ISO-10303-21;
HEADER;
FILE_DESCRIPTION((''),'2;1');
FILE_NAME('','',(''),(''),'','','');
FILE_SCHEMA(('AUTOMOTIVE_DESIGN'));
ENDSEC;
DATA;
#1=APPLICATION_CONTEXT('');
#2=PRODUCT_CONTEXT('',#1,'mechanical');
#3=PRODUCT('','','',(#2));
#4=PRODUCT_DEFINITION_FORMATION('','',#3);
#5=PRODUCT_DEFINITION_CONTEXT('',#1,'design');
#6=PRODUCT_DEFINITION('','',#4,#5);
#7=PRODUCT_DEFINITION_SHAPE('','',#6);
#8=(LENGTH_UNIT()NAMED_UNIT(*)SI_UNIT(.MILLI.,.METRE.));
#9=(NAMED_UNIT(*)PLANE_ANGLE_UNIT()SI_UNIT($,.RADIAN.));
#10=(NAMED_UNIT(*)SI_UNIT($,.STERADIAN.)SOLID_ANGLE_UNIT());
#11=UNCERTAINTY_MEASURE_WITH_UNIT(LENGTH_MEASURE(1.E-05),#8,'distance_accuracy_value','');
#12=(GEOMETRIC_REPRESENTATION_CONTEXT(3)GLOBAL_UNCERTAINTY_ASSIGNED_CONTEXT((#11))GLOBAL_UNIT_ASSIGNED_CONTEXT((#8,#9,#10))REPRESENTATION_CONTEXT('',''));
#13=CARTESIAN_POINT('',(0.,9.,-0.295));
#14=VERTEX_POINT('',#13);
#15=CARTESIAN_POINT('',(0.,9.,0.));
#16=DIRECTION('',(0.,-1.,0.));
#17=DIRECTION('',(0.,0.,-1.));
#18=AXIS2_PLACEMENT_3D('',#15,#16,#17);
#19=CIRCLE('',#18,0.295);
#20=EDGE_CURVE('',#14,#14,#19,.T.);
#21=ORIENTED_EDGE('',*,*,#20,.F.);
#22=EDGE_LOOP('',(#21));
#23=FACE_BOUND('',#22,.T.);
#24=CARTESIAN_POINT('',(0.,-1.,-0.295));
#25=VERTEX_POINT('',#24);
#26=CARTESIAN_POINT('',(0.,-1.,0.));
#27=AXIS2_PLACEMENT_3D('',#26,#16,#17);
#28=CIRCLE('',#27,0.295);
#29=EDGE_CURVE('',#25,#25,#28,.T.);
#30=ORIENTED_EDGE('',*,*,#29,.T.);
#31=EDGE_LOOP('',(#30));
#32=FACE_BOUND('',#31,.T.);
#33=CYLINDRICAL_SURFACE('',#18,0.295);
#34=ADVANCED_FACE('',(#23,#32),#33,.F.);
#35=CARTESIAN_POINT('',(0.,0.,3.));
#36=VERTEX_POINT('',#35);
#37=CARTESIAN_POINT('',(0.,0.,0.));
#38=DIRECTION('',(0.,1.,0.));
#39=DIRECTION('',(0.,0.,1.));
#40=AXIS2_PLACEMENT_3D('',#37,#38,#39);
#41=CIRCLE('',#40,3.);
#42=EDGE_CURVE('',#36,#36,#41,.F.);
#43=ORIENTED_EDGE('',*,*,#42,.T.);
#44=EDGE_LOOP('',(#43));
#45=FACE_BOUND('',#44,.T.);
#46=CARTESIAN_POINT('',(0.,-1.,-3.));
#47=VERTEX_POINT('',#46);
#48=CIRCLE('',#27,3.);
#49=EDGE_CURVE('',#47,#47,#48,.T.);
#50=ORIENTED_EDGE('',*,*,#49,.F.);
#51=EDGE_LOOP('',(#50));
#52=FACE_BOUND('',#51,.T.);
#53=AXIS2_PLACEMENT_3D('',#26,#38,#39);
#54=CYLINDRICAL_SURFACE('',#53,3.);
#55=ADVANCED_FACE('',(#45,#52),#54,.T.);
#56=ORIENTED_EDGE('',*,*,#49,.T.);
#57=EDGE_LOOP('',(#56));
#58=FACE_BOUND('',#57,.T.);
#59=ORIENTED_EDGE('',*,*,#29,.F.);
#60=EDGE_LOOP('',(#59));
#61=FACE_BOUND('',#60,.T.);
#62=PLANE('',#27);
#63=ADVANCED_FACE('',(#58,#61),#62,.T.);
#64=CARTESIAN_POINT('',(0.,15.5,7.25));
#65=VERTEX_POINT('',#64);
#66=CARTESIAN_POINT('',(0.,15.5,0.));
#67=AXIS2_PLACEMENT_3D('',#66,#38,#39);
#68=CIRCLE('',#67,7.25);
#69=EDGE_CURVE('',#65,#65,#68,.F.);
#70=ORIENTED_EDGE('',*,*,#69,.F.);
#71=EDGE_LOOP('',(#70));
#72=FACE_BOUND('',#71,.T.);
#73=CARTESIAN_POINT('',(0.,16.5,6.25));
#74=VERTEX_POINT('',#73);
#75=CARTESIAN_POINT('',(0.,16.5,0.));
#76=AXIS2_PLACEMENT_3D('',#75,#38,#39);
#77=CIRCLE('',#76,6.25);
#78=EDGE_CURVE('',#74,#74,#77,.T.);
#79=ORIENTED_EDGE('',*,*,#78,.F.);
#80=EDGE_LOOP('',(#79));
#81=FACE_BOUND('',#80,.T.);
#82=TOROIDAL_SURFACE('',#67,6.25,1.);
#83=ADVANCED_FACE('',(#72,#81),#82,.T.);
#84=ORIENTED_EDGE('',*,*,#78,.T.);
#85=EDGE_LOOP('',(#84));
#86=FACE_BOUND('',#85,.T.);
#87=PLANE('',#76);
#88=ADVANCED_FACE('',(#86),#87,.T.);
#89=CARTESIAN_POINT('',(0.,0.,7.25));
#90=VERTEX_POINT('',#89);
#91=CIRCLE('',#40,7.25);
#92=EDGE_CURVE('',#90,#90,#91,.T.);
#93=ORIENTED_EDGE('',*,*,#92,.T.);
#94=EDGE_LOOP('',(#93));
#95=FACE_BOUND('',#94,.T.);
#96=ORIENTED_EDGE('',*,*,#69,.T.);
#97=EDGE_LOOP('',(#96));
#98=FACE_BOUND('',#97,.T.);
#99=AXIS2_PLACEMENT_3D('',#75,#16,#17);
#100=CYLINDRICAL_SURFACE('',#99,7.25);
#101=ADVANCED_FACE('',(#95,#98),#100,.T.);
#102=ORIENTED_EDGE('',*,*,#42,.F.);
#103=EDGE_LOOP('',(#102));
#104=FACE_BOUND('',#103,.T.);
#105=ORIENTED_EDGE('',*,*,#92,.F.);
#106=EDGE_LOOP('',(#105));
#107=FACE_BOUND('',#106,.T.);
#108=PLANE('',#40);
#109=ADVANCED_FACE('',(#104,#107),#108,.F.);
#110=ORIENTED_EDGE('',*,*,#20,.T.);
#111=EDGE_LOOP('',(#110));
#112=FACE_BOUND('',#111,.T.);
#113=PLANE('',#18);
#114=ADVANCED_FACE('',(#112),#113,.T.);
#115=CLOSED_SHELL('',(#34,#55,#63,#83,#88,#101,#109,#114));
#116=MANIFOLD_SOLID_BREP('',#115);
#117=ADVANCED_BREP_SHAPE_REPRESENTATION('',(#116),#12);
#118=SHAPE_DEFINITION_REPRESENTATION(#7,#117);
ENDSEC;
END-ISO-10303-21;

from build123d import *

# Parameters (mm, degrees)
SKETCH1_R           = 7.25
BOSS_EXTRUDE1_DEPTH = 16.5
FILLET1_R           = 1
SKETCH4_R           = 3
BOSS_EXTRUDE2_DEPTH = 1
SKETCH5_R           = 0.295
CUT_EXTRUDE2_DEPTH  = 10


with BuildPart() as part:
    # Sketch1 → Boss-Extrude1 (new body)
    with BuildSketch(Plane(origin=(0, 0, 0), x_dir=(1, 0, 0), z_dir=(0, 1, 0))):
        with Locations(Location((0, 0, 0), (0, 0, 270))):
            Circle(SKETCH1_R)
    extrude(amount=BOSS_EXTRUDE1_DEPTH)

    # Fillet1
    fillet1_edges = [part.edges().sort_by_distance(p)[0] for p in [
        (0, 16.5, -7.25),
    ]]
    fillet(fillet1_edges, radius=FILLET1_R)

    # Sketch4 → Boss-Extrude2 (add)
    with BuildSketch(Plane.XZ):
        with Locations(Location((0, 0, 0), (0, 0, 90))):
            Circle(SKETCH4_R)
    extrude(amount=BOSS_EXTRUDE2_DEPTH)

    # Sketch5 → Cut-Extrude2 (cut)
    with BuildSketch(Plane.XZ.offset(1)):
        with Locations(Location((0, 0, 0), (0, 0, 270))):
            Circle(SKETCH5_R)
    extrude(amount=-CUT_EXTRUDE2_DEPTH, mode=Mode.SUBTRACT)


solid = part.part
